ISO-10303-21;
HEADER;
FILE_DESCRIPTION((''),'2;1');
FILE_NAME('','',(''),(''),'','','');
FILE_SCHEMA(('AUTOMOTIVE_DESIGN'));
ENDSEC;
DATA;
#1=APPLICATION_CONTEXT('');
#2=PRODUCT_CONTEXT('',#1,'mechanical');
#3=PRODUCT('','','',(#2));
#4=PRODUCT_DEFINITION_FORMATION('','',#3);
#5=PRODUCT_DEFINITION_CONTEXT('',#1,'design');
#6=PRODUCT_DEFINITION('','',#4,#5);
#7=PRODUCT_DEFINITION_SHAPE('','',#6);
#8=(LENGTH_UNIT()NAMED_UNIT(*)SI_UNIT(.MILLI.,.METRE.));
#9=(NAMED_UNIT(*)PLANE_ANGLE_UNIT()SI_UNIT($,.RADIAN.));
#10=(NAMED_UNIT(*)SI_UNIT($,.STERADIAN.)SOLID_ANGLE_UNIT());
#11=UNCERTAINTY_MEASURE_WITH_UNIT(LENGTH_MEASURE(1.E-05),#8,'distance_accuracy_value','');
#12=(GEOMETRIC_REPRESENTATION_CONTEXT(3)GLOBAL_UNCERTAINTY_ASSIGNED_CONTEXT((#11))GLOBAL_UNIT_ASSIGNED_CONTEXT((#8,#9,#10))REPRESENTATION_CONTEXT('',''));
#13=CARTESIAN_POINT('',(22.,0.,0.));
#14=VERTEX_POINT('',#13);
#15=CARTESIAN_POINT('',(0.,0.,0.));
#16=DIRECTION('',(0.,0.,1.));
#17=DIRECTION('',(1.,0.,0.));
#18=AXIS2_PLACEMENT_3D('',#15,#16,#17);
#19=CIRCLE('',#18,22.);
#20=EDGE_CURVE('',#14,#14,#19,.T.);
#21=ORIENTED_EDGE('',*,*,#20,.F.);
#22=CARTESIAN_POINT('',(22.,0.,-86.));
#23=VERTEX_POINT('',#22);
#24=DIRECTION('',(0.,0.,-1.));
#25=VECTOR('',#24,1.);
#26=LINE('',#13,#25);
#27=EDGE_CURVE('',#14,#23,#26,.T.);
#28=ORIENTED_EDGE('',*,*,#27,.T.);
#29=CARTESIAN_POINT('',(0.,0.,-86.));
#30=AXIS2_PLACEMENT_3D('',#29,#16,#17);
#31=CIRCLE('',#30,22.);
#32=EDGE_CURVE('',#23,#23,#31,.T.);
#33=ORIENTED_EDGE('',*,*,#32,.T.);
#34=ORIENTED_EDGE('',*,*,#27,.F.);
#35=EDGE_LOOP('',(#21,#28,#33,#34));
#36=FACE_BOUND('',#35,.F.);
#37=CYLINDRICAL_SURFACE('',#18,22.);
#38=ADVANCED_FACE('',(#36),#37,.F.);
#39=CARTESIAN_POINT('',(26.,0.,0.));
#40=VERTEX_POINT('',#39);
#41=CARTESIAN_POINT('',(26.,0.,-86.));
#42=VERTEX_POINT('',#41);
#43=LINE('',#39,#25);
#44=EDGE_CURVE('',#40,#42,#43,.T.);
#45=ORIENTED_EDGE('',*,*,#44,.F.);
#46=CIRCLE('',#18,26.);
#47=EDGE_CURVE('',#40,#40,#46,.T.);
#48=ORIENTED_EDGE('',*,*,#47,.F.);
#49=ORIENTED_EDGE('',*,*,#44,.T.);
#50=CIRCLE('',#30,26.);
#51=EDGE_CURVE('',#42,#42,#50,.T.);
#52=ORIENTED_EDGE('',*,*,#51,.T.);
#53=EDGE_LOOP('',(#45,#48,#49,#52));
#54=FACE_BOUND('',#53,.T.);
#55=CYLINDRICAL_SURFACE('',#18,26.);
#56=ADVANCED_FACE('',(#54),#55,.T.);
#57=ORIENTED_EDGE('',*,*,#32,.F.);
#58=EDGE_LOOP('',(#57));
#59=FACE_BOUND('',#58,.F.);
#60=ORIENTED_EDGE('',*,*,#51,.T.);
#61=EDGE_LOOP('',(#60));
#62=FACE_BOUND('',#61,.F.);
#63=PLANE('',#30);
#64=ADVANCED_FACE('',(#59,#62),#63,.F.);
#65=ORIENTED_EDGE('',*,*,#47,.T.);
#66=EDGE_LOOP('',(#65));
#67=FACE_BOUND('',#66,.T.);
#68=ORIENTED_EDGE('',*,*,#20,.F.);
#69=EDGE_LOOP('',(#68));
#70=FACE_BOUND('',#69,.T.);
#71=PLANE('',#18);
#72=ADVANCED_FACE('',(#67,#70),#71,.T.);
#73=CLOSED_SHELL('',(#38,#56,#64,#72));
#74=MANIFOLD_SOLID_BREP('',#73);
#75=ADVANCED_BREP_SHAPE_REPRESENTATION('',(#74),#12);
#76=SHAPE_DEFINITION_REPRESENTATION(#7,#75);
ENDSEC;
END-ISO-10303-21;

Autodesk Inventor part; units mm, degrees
ref_plane "YZ Plane" through (0, 0, 0) normal (1, 0, 0) x (0, 1, 0)
ref_plane "XZ Plane" through (0, 0, 0) normal (0, 1, 0) x (-1, 0, 0)
ref_plane "XY Plane" through (0, 0, 0) normal (0, 0, 1) x (1, 0, 0)
sketch "Sketch1" plane through (0, 0, 0) normal (0, 0, 1) x (1, 0, 0)
  circle A0 centre (0, 0) radius 26
  circle A1 centre (0, 0) radius 22
  dimension "d0" = 52
  dimension "d1" = 4
extrude "Extrusion1" add sketch "Sketch1" against normal blind 86
properties part number "дист.втулка"
